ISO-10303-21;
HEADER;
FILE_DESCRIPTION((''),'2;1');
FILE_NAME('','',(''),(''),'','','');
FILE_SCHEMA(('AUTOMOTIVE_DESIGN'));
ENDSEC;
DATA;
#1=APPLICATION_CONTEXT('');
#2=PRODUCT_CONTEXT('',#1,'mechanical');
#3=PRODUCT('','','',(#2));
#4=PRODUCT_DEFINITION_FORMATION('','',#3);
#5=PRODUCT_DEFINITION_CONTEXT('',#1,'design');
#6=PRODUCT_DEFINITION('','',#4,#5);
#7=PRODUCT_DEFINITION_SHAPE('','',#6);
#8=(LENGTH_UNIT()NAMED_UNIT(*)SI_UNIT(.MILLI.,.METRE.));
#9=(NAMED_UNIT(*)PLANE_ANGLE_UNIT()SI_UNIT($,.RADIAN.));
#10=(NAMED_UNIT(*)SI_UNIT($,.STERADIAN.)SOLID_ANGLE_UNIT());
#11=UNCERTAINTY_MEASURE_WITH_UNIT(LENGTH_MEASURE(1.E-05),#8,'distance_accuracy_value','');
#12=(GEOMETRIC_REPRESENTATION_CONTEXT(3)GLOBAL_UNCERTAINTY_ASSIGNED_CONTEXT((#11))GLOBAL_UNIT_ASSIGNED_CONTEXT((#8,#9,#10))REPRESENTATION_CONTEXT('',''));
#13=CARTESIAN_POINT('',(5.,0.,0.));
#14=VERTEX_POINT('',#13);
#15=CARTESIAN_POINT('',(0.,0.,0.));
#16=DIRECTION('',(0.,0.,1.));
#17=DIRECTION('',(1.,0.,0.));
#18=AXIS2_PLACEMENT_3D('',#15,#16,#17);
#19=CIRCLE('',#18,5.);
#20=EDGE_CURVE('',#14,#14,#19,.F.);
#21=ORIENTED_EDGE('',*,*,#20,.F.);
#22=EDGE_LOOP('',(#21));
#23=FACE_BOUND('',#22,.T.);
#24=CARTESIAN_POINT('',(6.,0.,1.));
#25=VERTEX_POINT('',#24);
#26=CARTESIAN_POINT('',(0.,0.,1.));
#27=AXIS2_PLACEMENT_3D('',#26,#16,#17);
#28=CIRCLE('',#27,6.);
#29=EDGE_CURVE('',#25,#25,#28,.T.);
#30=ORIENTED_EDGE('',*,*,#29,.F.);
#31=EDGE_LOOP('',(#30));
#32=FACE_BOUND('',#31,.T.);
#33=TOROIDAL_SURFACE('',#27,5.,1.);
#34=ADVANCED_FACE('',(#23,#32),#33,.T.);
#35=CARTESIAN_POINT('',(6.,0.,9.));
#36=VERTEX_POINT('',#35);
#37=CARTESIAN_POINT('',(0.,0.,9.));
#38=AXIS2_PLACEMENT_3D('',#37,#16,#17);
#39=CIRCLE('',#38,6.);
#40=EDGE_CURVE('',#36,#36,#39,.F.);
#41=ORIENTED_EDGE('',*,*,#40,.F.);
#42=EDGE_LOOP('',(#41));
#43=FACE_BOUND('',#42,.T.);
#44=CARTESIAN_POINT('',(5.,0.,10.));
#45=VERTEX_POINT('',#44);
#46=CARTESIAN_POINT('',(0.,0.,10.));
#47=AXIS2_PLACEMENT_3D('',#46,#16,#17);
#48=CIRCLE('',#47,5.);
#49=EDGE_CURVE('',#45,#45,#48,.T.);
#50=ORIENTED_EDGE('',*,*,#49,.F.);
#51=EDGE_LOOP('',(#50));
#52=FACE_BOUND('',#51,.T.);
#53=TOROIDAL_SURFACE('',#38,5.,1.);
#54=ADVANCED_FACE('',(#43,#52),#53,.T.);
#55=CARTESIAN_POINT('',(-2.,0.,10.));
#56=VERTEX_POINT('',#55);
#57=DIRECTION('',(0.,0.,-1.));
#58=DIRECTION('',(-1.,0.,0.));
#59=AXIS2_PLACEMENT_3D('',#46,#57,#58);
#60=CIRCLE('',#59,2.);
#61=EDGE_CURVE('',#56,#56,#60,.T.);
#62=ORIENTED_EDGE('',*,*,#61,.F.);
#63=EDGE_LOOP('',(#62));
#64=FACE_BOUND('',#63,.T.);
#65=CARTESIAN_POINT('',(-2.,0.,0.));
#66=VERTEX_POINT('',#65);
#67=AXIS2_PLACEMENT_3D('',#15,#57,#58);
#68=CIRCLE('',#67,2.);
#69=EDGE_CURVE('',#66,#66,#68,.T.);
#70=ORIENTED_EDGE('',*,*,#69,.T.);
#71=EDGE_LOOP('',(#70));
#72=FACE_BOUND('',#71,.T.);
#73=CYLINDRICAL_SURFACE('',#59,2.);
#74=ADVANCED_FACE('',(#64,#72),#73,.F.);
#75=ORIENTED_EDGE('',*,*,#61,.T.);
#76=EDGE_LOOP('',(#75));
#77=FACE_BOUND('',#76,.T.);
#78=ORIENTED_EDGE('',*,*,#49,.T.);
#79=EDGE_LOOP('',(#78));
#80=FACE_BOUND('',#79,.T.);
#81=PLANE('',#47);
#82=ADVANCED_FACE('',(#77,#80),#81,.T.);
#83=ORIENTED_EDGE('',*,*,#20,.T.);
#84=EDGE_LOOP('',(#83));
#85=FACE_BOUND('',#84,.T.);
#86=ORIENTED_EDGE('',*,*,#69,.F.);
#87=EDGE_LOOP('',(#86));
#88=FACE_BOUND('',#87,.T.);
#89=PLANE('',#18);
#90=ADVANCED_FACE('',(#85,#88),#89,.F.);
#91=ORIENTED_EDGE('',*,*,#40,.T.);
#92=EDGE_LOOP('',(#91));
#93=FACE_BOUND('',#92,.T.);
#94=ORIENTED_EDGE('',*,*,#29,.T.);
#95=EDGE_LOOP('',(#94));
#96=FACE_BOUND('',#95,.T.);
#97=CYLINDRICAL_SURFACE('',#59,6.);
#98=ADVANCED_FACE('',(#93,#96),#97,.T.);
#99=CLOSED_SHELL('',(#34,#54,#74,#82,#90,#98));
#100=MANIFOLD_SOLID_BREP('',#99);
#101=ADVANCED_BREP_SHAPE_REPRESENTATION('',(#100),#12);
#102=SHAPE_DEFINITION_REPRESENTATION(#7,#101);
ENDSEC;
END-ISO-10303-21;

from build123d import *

# Parameters (mm, degrees)
SKETCH_1_R          = 6
EXTRUDE_1_DEPTH     = 10
SKETCH_2_R          = 2
CUT_EXTRUDE_1_DEPTH = 11
FILLET_1_R          = 1


with BuildPart() as part:
    # 草图1 → 凸台-拉伸1 (new body)
    with BuildSketch(Plane.XY):
        Circle(SKETCH_1_R)
    extrude(amount=EXTRUDE_1_DEPTH)

    # 草图2 → 切除-拉伸1 (cut, through all)
    with BuildSketch(Plane(origin=(0, 0, 0), x_dir=(-1, 0, 0), z_dir=(0, 0, -1))):
        Circle(SKETCH_2_R)
    extrude(amount=-CUT_EXTRUDE_1_DEPTH, mode=Mode.SUBTRACT)

    # 圆角1
    fillet_1_edges = [part.edges().sort_by_distance(p)[0] for p in [
        (-6, 0, 0),
        (-6, 0, 10),
    ]]
    fillet(fillet_1_edges, radius=FILLET_1_R)


solid = part.part
